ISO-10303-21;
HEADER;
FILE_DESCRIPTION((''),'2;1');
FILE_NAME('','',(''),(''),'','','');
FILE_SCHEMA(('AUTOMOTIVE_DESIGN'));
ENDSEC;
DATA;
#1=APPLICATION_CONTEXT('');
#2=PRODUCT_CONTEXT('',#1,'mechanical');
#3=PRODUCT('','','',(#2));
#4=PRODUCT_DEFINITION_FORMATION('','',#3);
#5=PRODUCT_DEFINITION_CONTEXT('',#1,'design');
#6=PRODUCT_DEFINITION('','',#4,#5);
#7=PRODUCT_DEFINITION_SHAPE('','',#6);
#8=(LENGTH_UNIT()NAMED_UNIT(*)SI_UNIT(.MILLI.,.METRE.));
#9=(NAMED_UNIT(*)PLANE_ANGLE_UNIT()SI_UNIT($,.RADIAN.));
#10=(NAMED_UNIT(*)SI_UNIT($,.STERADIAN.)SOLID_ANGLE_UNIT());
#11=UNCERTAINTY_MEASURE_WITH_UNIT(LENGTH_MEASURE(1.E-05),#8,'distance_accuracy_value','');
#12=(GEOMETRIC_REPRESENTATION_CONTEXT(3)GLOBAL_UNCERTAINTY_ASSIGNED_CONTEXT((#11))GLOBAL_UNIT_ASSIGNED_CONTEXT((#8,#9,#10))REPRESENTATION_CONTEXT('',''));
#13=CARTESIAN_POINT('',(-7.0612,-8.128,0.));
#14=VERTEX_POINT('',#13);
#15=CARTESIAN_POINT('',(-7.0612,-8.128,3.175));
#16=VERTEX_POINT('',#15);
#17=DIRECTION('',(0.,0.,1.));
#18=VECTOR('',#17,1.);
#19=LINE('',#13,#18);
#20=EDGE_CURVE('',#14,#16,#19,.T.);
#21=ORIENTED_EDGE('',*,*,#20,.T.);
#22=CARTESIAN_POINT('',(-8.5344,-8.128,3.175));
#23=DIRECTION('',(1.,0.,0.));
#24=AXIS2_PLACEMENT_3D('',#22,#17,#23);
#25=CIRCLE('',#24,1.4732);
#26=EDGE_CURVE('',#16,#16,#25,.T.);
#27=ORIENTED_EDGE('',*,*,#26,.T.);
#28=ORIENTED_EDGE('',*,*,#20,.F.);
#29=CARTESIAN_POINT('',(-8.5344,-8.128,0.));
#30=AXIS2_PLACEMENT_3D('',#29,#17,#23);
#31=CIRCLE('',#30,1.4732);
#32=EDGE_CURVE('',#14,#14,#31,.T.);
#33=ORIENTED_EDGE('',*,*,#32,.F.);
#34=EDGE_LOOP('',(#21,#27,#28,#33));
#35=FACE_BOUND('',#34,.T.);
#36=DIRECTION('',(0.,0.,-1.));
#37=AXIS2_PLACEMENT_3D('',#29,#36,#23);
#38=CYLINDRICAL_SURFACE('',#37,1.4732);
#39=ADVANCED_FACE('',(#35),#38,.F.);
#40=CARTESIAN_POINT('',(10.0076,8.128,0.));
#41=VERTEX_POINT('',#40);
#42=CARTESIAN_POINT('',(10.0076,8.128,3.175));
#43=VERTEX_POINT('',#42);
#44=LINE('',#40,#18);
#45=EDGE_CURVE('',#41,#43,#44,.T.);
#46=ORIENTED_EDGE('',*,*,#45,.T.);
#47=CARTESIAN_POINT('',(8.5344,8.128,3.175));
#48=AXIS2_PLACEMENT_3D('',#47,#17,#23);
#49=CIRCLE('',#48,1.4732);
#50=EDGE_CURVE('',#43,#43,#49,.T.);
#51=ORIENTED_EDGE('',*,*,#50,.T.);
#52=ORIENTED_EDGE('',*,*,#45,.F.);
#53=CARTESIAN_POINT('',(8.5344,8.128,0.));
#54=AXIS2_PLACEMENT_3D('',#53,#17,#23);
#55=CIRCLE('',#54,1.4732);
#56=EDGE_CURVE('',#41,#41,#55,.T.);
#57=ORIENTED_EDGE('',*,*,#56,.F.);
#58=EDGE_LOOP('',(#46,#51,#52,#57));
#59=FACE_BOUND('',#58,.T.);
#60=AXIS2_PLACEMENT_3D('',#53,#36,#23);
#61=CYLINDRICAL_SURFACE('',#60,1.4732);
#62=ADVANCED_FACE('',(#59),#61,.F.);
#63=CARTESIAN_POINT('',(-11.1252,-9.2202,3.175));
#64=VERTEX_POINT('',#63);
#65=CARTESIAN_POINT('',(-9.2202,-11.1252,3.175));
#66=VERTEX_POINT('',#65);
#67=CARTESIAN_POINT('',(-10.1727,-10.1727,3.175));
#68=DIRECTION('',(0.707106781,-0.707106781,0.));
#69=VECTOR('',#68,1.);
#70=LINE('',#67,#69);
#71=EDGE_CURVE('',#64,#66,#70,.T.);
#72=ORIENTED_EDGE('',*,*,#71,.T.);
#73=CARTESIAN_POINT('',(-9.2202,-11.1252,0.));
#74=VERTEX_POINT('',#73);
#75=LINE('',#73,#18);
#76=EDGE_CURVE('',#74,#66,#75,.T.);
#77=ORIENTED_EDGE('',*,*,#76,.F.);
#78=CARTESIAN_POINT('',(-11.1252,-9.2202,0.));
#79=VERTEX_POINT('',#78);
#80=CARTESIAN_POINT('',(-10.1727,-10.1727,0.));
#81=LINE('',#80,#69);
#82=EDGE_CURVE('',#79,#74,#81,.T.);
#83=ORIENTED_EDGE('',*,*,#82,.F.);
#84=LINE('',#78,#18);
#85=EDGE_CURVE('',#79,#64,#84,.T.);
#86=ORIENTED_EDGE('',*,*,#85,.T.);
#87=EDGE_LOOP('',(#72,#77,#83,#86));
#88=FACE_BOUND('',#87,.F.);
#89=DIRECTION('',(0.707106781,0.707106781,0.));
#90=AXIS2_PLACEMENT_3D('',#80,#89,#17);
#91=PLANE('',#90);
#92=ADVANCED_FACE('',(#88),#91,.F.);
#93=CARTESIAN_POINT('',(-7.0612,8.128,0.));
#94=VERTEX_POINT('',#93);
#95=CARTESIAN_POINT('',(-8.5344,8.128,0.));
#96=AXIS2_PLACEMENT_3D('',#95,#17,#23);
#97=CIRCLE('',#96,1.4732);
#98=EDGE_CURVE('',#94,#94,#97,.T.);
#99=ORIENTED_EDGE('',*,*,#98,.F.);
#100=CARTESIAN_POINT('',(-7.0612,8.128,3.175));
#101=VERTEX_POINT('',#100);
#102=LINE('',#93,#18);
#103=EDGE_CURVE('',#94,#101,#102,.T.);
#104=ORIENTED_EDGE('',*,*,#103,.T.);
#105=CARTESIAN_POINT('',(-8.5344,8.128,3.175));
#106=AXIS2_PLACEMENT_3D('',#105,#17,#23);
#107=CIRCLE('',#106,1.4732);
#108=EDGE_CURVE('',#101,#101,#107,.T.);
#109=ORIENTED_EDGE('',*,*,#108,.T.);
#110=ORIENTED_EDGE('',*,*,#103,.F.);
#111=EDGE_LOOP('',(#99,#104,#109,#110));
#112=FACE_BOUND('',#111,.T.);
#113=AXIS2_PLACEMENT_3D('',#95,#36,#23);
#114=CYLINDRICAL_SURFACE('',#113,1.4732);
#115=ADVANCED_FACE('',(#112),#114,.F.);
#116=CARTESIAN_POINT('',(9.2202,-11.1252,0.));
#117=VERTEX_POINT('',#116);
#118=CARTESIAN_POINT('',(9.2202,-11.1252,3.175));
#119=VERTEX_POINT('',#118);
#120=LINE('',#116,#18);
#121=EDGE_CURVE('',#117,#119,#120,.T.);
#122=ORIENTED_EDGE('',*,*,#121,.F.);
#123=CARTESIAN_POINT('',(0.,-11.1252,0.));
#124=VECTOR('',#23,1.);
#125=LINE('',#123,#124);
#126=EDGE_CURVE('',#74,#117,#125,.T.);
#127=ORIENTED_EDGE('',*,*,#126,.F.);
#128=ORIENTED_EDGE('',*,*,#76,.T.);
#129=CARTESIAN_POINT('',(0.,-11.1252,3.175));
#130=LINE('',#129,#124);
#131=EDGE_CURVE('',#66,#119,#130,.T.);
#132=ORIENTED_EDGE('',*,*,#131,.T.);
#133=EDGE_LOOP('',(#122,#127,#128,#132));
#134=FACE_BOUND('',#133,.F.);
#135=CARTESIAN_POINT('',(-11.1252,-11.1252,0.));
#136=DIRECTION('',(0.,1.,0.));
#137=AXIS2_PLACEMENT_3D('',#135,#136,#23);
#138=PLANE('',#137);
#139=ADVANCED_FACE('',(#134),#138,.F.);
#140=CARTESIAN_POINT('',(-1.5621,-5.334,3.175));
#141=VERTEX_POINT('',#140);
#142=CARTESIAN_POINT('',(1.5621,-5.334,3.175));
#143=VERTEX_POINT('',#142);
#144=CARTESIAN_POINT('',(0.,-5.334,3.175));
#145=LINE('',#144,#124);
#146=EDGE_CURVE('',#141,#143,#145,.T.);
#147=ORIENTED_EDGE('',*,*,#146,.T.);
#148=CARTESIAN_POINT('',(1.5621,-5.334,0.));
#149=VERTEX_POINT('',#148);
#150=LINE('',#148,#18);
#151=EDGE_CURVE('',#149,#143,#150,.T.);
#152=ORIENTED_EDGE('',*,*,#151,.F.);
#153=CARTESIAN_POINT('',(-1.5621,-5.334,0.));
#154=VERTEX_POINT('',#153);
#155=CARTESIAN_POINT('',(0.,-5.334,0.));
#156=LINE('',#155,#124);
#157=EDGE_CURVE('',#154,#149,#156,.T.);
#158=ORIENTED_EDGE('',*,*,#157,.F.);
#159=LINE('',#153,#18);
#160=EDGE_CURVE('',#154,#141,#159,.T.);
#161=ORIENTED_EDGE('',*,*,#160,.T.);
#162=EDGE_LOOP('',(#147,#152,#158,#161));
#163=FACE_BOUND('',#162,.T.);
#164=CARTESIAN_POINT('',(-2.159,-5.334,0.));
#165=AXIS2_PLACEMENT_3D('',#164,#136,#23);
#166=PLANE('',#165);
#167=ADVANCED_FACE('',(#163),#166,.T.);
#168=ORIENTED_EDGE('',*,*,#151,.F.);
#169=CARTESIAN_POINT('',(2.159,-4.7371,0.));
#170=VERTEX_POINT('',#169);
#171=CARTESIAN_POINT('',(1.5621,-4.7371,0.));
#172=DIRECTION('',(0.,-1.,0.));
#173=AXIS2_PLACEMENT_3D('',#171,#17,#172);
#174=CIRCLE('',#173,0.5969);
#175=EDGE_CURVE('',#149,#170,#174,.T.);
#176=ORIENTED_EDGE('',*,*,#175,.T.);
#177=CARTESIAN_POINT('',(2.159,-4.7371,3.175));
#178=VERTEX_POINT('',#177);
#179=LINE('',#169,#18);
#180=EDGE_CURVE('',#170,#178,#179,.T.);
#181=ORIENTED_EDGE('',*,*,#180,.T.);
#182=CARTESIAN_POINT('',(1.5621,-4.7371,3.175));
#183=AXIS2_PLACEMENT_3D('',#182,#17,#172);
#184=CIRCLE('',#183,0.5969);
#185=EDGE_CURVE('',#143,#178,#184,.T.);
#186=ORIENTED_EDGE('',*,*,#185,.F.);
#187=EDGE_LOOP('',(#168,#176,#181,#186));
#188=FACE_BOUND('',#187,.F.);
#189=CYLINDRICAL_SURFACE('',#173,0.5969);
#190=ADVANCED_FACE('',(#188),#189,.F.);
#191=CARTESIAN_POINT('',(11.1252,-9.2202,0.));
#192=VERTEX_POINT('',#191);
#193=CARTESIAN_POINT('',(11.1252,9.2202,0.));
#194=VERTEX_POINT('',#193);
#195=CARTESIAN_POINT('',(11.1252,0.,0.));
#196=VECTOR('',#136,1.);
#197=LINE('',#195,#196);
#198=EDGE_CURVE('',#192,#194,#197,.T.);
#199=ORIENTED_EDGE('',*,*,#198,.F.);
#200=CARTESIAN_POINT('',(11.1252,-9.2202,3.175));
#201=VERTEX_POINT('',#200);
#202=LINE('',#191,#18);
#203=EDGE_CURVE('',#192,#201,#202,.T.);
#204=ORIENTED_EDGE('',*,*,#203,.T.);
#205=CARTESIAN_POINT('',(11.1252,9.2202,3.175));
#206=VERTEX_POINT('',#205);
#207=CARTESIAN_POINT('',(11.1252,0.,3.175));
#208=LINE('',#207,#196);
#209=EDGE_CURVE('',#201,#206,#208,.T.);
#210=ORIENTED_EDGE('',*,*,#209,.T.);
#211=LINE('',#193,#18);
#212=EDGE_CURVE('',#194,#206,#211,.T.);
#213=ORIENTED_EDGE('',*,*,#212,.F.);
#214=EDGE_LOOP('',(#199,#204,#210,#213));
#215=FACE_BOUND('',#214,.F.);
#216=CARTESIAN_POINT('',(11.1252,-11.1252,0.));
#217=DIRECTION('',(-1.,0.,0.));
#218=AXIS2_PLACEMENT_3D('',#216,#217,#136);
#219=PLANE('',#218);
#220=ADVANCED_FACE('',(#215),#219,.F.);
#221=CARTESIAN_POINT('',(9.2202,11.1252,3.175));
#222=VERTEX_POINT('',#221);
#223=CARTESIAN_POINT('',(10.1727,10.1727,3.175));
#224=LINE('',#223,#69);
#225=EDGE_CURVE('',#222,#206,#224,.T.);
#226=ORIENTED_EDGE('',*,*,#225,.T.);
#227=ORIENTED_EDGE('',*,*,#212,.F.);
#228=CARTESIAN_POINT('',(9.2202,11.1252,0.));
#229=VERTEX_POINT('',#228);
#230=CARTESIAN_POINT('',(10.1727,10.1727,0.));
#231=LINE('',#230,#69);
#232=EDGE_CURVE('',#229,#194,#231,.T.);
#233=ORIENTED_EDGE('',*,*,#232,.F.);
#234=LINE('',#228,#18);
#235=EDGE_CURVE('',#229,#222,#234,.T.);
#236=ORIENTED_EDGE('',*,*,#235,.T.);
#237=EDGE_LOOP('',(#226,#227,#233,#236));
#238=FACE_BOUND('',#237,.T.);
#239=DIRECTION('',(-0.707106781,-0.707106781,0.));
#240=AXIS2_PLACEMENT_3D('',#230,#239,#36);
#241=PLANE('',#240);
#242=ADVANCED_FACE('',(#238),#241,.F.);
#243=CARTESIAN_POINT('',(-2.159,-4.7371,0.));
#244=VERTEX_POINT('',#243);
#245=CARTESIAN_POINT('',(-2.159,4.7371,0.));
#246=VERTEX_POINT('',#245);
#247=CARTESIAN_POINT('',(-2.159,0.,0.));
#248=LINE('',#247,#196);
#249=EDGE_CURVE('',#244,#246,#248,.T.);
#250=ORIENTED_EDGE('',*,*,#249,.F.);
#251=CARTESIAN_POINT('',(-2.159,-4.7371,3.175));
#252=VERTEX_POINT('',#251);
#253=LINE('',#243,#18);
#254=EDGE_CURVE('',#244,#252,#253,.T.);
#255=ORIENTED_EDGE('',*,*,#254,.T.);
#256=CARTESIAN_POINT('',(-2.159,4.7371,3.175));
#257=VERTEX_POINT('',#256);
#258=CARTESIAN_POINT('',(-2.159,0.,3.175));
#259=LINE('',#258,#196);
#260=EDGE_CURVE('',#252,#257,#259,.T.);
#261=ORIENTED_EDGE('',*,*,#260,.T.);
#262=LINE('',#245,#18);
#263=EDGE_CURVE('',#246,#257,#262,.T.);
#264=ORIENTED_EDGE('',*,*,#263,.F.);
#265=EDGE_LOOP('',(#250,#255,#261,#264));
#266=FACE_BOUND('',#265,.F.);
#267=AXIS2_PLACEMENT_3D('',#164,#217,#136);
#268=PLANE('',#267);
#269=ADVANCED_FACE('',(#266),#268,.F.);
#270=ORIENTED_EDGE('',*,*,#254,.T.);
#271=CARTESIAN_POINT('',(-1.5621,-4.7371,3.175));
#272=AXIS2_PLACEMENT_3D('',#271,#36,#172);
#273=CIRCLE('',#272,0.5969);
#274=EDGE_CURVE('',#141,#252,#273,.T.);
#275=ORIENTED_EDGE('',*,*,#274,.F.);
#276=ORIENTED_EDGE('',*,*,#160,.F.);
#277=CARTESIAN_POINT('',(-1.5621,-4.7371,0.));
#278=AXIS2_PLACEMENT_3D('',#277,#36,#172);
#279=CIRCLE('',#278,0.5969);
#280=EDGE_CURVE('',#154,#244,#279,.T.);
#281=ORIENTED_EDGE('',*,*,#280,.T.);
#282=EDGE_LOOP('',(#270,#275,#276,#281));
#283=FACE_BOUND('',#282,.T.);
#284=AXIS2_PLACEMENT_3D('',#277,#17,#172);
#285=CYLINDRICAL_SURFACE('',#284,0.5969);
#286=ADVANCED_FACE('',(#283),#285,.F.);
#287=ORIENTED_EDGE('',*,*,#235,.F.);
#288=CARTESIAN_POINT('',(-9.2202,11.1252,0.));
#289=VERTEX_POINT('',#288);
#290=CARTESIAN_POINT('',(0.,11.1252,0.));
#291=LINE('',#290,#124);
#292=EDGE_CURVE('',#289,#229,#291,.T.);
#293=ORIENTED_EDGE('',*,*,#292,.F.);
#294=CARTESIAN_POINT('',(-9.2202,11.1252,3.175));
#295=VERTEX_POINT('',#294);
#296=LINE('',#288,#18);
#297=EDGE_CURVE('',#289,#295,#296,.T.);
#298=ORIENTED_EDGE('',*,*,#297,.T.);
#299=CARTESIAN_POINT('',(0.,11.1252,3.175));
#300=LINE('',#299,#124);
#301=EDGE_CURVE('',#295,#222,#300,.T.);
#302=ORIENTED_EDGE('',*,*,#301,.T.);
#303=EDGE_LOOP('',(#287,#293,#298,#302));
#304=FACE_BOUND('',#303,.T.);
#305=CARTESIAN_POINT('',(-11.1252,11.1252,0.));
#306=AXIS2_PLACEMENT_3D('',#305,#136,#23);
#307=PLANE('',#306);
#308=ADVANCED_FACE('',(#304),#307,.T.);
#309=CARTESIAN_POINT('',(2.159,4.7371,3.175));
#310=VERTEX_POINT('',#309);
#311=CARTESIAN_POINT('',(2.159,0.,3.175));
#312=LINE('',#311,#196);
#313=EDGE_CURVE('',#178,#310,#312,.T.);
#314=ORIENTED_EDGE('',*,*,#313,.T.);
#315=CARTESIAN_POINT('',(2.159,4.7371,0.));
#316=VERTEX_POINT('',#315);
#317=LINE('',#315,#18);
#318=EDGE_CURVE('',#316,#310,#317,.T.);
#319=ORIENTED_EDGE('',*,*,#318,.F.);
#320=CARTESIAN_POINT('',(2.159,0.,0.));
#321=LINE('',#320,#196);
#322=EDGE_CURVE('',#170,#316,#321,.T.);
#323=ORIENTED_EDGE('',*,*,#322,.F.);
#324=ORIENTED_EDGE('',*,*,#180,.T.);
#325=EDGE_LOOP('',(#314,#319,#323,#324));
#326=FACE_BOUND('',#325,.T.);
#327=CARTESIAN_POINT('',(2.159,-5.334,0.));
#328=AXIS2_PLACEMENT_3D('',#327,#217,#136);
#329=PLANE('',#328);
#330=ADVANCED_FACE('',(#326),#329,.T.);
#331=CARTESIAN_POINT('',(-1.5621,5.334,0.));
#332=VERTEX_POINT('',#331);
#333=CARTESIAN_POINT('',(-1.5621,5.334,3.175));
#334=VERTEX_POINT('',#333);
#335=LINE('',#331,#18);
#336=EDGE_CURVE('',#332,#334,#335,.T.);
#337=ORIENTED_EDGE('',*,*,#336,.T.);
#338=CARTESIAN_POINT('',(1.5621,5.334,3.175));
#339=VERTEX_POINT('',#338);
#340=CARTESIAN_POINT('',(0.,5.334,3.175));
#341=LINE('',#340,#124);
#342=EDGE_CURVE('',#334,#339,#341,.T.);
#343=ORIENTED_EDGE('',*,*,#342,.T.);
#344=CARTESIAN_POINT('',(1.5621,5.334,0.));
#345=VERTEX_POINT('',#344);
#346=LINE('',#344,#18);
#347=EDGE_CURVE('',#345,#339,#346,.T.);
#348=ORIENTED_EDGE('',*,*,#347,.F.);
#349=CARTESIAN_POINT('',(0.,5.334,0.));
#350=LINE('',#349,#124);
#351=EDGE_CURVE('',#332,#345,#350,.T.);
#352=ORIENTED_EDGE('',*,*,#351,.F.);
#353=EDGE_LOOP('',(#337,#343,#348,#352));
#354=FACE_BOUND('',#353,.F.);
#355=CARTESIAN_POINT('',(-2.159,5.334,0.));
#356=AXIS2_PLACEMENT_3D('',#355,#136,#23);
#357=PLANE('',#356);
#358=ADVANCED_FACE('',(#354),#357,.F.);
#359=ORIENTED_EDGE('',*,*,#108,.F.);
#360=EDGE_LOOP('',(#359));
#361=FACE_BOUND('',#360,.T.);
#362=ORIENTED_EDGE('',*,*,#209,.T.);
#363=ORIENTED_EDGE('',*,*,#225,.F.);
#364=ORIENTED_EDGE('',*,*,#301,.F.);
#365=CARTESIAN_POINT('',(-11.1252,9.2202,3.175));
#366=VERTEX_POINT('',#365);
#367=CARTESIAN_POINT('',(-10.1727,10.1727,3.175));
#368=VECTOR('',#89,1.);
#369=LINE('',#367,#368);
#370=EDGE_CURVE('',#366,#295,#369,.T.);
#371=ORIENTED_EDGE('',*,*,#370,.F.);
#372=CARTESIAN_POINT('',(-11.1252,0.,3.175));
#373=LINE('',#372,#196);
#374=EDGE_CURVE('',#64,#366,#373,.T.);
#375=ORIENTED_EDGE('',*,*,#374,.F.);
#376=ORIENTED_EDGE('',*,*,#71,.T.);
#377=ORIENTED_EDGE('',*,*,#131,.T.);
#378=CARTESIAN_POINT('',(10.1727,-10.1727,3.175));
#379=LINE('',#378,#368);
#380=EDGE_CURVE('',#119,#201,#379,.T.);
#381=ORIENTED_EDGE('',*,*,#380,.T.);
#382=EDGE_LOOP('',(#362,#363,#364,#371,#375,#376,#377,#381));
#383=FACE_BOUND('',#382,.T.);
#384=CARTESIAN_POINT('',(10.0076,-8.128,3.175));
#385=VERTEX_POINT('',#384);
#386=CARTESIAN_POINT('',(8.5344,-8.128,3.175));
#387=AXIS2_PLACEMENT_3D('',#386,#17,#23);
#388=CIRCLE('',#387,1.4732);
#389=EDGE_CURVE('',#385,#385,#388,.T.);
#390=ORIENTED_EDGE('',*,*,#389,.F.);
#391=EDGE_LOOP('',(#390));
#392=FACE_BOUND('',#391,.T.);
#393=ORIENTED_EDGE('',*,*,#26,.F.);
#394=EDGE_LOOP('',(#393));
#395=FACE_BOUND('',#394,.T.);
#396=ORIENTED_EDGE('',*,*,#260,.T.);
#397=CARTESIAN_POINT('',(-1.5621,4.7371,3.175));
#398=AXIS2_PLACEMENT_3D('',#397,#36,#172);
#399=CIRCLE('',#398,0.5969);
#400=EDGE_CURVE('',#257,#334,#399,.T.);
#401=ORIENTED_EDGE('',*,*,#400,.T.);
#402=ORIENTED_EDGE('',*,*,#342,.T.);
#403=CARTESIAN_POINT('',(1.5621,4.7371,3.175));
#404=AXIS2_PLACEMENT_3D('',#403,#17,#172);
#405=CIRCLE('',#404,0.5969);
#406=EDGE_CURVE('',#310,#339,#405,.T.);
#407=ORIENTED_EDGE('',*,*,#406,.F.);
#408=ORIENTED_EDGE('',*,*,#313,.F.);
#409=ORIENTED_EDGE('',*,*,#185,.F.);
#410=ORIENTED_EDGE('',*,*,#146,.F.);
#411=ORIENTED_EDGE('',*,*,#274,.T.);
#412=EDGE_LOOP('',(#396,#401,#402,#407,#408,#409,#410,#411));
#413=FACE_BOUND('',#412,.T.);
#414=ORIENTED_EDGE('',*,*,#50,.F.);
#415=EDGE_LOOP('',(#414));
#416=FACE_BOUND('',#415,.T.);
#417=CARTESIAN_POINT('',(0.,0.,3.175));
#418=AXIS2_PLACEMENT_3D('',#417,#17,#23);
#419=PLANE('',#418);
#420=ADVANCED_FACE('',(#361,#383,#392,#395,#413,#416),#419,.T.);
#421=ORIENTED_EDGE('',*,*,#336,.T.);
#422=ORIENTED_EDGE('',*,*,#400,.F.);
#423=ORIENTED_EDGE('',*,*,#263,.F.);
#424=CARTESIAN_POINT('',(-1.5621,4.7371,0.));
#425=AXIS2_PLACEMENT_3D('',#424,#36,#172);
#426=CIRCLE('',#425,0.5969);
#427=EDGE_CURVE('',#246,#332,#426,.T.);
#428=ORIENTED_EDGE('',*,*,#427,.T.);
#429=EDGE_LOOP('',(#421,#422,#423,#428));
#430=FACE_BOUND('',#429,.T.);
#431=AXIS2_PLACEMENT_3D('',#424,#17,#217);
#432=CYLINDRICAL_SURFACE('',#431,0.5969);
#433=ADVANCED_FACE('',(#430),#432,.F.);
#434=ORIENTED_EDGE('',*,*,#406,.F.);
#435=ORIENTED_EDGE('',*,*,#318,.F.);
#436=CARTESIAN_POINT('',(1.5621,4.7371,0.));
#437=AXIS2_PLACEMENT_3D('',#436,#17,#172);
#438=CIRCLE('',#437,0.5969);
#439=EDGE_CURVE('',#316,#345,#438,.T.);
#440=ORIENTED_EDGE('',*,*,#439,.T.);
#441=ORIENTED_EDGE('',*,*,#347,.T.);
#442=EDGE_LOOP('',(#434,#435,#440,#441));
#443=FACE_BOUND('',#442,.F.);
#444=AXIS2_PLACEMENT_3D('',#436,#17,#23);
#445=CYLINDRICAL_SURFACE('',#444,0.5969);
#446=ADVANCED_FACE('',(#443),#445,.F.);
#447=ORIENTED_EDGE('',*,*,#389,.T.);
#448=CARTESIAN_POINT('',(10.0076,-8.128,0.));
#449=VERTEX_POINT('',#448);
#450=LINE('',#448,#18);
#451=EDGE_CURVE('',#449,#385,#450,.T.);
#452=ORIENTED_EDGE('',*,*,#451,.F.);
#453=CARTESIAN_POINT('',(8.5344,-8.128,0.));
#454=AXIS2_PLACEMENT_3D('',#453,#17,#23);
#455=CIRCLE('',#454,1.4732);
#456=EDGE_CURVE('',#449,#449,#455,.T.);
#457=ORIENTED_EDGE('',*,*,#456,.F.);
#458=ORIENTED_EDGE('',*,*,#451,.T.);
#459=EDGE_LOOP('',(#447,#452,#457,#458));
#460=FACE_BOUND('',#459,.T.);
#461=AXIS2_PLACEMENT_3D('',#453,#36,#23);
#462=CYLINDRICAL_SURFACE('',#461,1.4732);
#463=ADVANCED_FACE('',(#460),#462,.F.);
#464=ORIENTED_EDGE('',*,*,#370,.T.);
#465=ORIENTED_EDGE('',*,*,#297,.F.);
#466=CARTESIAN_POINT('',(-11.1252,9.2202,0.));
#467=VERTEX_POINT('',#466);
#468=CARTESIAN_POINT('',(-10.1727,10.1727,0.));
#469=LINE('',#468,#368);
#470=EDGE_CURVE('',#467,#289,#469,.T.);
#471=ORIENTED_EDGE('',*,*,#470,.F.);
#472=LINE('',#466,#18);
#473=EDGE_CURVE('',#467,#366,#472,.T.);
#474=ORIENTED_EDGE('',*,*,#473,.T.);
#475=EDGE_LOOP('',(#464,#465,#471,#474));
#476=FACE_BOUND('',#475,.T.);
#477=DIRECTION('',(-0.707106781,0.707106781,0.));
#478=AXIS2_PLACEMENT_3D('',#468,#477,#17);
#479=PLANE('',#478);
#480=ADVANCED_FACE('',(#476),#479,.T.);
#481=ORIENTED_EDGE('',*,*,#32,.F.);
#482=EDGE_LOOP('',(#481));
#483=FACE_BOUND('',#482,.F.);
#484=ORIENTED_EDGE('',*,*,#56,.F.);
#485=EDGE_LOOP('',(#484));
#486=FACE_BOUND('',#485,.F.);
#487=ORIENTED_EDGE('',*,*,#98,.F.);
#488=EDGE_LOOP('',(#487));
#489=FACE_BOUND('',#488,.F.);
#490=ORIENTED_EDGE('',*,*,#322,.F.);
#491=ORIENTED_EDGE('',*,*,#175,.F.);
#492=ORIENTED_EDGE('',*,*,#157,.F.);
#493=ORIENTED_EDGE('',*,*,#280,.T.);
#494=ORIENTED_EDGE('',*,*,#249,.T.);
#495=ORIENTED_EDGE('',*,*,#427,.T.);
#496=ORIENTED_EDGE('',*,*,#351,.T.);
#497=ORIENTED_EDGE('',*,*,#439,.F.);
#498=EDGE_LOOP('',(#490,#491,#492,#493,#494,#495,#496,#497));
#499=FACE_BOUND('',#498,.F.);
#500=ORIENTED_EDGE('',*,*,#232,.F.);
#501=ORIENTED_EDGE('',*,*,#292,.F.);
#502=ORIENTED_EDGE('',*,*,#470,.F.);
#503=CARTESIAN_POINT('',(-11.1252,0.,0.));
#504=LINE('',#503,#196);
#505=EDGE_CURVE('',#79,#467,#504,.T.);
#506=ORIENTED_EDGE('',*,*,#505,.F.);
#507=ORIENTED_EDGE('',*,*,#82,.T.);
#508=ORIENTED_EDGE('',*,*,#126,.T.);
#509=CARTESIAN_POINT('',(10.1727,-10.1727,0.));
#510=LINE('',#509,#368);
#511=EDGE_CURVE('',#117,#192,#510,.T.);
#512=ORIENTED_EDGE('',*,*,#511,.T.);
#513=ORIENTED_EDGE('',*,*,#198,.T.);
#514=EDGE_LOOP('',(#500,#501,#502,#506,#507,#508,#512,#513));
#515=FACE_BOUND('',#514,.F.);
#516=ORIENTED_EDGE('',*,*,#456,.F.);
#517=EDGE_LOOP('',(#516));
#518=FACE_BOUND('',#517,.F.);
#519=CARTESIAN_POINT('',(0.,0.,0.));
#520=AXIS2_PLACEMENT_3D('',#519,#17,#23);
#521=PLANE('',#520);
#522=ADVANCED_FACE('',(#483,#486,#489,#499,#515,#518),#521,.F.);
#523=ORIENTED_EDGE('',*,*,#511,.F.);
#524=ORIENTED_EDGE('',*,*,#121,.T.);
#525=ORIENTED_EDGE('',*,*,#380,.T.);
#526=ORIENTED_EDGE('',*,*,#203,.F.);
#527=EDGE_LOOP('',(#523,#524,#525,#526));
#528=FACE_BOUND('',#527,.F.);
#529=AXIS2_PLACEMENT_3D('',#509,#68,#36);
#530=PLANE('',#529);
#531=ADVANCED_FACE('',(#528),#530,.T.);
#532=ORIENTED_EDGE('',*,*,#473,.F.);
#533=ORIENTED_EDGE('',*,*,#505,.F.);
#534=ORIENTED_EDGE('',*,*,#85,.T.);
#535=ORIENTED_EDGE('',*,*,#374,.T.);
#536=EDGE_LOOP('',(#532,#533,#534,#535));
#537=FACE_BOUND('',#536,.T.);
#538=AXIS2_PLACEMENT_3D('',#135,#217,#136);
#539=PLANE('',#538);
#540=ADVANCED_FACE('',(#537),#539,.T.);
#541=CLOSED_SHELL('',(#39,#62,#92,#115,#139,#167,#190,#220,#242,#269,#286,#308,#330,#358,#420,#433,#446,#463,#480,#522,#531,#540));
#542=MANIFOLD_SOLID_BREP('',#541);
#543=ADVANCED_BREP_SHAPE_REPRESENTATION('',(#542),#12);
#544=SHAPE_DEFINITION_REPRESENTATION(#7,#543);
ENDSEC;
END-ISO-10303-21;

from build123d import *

# Parameters (mm, degrees)
F0_W     = 22.2504
F0_H     = 22.2504
F0_R     = 1.4732
F0_W_2   = 4.318
F0_H_2   = 10.668
F1_DEPTH = 3.175
F2_SIZE  = 1.905
F3_R     = 0.5969


with BuildPart() as f1:
    # F0 (on Top) → F1 (new body)
    with BuildSketch(Plane.XY):
        Rectangle(F0_W, F0_H)
        with Locations((-8.5344, -8.128)):
            Circle(F0_R, mode=Mode.SUBTRACT)
        with Locations((8.5344, -8.128)):
            Circle(F0_R, mode=Mode.SUBTRACT)
        with Locations((-8.5344, 8.128)):
            Circle(F0_R, mode=Mode.SUBTRACT)
        Rectangle(F0_W_2, F0_H_2, mode=Mode.SUBTRACT)
        with Locations((8.5344, 8.128)):
            Circle(F0_R, mode=Mode.SUBTRACT)
    extrude(amount=F1_DEPTH)

    # F2
    f2_edges = [f1.edges().sort_by_distance(p)[0] for p in [
        (-11.1252, -11.1252, 1.5875),
        (-11.1252, 11.1252, 1.5875),
        (11.1252, 11.1252, 1.5875),
        (11.1252, -11.1252, 1.5875),
    ]]
    chamfer(f2_edges, length=F2_SIZE)

    # F3
    f3_edges = [f1.edges().sort_by_distance(p)[0] for p in [
        (2.159, -5.334, 1.5875),
        (-2.159, -5.334, 1.5875),
        (-2.159, 5.334, 1.5875),
        (2.159, 5.334, 1.5875),
    ]]
    fillet(f3_edges, radius=F3_R)


solid = f1.part
